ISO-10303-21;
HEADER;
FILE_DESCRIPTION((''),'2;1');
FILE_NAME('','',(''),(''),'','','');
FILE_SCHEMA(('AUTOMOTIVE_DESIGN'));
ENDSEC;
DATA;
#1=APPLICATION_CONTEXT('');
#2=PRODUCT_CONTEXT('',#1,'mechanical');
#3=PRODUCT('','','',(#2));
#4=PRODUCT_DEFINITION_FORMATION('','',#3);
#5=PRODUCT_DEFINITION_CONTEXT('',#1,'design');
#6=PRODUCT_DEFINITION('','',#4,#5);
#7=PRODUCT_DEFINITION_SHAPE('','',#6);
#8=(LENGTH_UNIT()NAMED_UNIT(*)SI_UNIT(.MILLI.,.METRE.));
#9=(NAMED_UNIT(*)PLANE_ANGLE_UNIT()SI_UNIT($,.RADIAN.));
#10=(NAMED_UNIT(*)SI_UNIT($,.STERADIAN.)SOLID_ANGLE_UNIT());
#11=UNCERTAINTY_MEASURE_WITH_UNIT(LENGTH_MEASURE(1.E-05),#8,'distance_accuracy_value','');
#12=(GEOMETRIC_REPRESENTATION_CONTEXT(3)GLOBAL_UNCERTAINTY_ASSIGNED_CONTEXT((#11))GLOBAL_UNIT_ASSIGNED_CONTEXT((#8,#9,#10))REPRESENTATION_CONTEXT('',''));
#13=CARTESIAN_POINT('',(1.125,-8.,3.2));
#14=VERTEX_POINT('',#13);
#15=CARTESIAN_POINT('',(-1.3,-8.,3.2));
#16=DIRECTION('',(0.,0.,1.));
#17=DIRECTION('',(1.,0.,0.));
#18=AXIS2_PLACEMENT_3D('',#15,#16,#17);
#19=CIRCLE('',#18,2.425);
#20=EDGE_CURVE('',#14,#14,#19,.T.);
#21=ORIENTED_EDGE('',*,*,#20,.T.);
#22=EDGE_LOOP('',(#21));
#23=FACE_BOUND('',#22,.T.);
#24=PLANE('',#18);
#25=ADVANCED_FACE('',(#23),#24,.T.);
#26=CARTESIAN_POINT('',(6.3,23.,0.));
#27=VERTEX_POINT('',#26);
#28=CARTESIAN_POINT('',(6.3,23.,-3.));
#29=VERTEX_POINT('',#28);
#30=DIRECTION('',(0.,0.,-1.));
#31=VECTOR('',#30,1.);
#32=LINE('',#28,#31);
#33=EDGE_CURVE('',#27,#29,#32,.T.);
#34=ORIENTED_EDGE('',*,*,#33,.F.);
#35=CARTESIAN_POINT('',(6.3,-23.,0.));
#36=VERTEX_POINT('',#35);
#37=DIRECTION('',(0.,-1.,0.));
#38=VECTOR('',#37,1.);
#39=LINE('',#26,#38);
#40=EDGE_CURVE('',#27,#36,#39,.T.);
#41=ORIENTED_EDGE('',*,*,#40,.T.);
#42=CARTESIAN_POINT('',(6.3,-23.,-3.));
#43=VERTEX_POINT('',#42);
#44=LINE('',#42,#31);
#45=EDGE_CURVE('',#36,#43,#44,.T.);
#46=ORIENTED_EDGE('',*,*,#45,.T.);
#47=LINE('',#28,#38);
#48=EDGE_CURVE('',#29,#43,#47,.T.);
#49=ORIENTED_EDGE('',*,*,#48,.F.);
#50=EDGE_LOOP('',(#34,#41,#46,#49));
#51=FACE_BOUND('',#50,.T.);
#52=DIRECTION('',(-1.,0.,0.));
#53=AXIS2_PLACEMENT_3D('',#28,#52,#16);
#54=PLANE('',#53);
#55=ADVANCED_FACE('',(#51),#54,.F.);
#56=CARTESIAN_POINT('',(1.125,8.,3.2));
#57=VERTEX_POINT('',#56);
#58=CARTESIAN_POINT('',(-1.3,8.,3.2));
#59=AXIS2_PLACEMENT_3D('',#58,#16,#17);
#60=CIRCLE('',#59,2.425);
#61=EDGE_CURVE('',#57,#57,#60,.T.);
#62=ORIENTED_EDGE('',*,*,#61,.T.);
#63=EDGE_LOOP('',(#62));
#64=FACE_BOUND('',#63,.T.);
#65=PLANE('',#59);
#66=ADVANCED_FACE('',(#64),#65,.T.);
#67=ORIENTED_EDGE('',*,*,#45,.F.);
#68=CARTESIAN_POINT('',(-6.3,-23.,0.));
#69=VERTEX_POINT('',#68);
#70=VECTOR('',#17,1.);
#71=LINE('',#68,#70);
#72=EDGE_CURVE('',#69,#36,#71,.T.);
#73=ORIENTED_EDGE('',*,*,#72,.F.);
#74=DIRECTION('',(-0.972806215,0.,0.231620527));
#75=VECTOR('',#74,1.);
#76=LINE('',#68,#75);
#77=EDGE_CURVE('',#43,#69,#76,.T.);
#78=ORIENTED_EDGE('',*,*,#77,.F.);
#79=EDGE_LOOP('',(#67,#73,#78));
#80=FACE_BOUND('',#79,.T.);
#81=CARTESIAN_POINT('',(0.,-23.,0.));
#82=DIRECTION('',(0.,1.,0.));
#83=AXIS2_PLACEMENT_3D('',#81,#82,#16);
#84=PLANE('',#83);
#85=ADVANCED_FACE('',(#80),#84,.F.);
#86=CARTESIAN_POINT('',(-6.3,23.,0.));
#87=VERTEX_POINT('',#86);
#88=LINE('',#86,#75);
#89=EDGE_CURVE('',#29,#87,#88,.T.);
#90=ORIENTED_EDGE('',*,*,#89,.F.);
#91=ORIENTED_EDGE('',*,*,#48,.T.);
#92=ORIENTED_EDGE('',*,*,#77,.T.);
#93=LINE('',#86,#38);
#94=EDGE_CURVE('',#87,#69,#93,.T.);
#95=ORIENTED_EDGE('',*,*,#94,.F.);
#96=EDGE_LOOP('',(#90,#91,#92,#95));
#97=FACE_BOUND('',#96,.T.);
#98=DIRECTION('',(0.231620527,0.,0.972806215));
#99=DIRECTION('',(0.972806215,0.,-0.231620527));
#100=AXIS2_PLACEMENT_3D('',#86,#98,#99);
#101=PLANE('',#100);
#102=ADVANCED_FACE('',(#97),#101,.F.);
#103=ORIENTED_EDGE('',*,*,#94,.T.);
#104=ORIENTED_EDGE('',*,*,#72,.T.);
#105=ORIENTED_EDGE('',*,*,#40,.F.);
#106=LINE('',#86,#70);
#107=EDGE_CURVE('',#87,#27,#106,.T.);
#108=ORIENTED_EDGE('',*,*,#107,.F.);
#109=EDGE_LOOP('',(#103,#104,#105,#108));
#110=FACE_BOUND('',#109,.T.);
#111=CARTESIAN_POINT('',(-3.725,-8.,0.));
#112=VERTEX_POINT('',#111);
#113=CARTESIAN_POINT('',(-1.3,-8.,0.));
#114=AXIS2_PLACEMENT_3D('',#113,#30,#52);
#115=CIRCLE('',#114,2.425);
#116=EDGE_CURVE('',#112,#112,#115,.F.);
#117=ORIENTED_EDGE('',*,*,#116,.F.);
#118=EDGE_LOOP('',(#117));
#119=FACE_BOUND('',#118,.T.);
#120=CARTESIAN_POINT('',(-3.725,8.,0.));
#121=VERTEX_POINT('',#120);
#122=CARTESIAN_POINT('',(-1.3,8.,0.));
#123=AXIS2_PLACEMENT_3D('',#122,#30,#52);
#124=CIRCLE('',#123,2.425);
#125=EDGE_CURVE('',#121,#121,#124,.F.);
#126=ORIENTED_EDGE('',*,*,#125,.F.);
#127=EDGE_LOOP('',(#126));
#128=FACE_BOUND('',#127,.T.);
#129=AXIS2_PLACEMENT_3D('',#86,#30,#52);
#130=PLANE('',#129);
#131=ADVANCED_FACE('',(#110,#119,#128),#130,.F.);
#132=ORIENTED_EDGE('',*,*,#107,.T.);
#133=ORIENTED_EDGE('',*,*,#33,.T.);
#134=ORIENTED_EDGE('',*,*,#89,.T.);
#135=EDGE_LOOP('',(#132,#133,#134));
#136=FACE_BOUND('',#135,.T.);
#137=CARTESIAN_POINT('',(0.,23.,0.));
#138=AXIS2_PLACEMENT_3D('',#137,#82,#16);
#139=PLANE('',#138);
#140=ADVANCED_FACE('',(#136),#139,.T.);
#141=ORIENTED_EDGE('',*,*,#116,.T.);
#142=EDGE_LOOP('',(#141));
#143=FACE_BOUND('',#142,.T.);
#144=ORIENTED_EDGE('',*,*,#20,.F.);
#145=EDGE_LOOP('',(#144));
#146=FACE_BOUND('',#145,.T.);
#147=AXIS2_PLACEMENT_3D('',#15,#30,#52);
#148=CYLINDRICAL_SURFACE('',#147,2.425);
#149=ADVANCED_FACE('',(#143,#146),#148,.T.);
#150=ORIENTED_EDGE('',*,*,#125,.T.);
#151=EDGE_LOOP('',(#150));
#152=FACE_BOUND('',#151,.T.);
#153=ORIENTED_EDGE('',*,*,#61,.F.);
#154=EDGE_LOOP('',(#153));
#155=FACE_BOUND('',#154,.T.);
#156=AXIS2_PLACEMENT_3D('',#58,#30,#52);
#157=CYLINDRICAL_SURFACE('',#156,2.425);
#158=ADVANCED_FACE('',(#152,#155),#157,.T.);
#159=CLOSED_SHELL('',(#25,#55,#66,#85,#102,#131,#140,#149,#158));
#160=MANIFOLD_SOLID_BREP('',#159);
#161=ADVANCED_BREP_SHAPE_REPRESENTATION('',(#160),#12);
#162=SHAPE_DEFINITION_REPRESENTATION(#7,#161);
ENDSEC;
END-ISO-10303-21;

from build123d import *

# Parameters (mm, degrees)
BOSS_EXTRUDE1_DEPTH = 23
SKETCH2_R           = 2.425
BOSS_EXTRUDE2_DEPTH = 3.2


with BuildPart() as part:
    # Sketch1 → Boss-Extrude1 (new, symmetric)
    with BuildSketch(Plane(origin=(0, 0, 0), x_dir=(1, 0, 0), z_dir=(0, 1, 0))):
        Polygon((-6.3, 0), (6.3, 0), (6.3, 3), align=None)
    extrude(amount=BOSS_EXTRUDE1_DEPTH, both=True)

    # Sketch2 → Boss-Extrude2 (add)
    with BuildSketch(Plane.XY):
        with Locations(Location((-1.3, 8, 0), (0, 0, 180))):
            Circle(SKETCH2_R)
        with Locations(Location((-1.3, -8, 0), (0, 0, 180))):
            Circle(SKETCH2_R)
    extrude(amount=BOSS_EXTRUDE2_DEPTH)


solid = part.part
